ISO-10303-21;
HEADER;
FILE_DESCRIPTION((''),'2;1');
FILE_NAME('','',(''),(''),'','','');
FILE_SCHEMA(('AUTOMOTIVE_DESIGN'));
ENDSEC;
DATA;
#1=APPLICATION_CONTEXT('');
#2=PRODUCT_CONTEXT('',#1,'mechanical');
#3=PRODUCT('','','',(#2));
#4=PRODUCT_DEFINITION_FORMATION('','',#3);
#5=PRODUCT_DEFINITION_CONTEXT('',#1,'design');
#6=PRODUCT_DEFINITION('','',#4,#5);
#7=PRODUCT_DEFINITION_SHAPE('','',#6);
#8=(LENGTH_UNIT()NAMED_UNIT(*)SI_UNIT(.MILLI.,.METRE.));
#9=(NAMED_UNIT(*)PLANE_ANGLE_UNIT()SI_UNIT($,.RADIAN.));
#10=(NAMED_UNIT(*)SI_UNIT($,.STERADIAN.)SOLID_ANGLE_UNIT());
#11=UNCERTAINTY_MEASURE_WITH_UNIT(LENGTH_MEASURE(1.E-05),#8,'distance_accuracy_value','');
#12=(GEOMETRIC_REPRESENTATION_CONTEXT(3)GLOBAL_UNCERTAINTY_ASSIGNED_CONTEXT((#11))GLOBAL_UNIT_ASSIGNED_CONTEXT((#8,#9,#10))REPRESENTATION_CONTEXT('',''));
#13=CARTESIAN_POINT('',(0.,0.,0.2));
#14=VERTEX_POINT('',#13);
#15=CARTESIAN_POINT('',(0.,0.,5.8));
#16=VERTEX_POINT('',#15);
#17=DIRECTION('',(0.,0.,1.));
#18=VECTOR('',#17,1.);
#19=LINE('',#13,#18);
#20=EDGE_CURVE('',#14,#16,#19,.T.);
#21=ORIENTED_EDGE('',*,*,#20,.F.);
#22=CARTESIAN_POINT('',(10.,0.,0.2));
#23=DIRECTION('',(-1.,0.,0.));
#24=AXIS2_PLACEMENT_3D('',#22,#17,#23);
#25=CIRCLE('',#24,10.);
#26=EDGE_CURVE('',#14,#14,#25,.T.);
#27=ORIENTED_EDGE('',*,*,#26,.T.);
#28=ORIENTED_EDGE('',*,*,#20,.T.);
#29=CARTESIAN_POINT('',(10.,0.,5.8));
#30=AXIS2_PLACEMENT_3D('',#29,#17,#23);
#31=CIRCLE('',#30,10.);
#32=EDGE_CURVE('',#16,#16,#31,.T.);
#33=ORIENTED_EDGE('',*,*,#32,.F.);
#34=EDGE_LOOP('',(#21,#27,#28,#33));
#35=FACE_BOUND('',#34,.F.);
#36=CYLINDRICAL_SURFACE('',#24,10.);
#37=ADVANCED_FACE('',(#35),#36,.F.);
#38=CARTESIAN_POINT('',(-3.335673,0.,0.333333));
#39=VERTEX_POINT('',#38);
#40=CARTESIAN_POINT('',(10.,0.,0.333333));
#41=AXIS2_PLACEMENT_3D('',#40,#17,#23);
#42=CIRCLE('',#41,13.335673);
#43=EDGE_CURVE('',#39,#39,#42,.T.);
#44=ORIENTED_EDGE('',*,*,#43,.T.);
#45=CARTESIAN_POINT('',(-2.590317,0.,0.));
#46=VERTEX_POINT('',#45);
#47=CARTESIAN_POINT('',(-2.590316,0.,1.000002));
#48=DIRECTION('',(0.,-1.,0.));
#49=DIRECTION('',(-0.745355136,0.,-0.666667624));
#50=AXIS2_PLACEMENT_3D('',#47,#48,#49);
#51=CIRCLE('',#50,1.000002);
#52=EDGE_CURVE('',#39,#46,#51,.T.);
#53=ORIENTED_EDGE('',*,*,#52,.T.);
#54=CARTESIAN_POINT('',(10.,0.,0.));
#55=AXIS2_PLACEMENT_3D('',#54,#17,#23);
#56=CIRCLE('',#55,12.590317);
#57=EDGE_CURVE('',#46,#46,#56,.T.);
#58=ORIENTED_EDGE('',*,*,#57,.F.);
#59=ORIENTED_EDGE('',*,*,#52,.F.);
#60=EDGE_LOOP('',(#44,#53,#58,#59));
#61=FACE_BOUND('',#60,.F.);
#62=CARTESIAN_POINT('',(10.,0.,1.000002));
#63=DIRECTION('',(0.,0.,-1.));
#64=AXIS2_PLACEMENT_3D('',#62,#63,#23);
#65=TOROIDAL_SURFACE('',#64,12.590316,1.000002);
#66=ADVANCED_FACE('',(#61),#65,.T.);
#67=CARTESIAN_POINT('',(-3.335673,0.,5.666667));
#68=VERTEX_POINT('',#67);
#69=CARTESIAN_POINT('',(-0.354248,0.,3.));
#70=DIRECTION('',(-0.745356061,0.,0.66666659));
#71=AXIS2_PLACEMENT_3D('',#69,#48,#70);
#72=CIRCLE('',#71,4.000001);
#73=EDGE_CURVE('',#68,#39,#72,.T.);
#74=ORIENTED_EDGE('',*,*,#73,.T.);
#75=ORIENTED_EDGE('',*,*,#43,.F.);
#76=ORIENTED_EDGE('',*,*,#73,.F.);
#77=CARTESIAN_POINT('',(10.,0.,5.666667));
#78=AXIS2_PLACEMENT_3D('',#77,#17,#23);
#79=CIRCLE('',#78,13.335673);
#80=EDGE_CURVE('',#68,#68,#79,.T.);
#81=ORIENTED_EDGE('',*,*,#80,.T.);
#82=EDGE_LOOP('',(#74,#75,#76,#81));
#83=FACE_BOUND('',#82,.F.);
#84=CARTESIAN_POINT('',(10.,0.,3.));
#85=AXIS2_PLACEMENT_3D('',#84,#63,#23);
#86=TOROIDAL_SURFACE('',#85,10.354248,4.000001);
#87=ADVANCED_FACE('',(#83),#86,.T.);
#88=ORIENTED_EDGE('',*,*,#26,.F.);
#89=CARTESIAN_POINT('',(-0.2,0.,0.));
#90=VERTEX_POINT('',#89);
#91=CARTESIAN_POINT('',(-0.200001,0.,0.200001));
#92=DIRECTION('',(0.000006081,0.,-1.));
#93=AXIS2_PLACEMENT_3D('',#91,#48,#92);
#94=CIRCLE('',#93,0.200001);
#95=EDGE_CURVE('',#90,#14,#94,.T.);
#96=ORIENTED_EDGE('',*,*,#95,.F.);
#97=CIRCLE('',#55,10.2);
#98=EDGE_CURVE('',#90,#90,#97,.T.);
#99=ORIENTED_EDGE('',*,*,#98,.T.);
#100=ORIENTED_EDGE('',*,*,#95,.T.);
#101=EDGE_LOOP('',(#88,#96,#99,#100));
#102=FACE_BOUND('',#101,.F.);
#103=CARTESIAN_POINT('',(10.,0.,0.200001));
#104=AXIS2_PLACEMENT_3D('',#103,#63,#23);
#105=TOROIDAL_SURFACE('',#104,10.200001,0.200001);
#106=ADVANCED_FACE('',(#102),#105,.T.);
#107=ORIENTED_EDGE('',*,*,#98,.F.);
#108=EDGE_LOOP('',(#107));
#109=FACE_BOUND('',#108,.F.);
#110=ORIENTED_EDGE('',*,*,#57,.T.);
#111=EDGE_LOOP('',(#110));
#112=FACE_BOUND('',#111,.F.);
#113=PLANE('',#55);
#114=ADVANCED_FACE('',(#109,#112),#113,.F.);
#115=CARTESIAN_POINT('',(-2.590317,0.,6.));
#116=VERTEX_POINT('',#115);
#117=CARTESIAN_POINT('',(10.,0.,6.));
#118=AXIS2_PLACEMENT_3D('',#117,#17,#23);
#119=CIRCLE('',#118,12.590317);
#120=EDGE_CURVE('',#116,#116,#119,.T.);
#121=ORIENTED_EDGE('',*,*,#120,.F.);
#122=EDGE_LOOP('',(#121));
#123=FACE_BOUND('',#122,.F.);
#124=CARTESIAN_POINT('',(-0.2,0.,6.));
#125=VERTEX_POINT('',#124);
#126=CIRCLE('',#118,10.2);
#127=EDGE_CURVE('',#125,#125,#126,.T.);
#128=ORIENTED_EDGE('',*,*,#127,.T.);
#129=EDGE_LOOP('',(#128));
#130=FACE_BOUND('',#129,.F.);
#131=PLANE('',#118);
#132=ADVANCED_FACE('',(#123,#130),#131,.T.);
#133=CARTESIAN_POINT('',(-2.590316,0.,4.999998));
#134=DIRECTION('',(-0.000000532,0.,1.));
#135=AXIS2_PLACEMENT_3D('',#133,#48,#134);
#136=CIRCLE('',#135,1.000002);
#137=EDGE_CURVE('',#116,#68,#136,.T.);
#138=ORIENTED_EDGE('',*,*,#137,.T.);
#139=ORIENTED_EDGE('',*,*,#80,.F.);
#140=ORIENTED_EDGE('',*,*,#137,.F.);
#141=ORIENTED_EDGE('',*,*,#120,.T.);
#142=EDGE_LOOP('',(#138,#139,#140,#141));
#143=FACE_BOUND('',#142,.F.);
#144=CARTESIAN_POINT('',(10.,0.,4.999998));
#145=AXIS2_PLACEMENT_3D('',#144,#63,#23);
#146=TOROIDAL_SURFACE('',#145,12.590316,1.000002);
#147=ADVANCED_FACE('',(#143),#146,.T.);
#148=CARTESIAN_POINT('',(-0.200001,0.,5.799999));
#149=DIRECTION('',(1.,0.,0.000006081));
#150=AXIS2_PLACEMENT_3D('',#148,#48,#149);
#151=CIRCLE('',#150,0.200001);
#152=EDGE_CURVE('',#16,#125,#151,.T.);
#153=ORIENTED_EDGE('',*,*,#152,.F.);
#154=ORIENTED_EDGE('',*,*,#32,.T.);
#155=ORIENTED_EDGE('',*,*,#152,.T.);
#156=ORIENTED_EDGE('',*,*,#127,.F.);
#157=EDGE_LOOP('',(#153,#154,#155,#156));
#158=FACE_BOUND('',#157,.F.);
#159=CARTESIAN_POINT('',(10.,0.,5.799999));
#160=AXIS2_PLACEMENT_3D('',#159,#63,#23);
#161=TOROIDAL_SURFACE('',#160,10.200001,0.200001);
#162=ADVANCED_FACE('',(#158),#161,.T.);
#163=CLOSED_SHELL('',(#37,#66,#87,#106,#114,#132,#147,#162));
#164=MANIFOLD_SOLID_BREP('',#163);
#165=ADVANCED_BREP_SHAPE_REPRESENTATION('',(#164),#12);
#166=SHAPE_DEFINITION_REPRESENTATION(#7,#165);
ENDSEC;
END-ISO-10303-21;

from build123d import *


with BuildPart() as f1:
    # F0 (on Front) → F1 (revolve)
    with BuildSketch(Plane.XZ):
        with BuildLine():
            ThreePointArc((-0.2, 0), (-0.058579, 0.058579), (0, 0.2))
            Line((0, 0.2), (0, 5.8))
            ThreePointArc((0, 5.8), (-0.058579, 5.941421), (-0.2, 6))
            Line((-0.2, 6), (-2.590317, 6))
            ThreePointArc((-2.590317, 6), (-2.998565, 5.912871), (-3.335673, 5.666667))
            ThreePointArc((-3.335673, 5.666667), (-4.354249, 3), (-3.335673, 0.333333))
            ThreePointArc((-3.335673, 0.333333), (-2.998565, 0.087129), (-2.590317, 0))
            Line((-2.590317, 0), (-0.2, 0))
        make_face()
    revolve(axis=Axis((10, 0, 3), (0, 0, 1)))


solid = f1.part
